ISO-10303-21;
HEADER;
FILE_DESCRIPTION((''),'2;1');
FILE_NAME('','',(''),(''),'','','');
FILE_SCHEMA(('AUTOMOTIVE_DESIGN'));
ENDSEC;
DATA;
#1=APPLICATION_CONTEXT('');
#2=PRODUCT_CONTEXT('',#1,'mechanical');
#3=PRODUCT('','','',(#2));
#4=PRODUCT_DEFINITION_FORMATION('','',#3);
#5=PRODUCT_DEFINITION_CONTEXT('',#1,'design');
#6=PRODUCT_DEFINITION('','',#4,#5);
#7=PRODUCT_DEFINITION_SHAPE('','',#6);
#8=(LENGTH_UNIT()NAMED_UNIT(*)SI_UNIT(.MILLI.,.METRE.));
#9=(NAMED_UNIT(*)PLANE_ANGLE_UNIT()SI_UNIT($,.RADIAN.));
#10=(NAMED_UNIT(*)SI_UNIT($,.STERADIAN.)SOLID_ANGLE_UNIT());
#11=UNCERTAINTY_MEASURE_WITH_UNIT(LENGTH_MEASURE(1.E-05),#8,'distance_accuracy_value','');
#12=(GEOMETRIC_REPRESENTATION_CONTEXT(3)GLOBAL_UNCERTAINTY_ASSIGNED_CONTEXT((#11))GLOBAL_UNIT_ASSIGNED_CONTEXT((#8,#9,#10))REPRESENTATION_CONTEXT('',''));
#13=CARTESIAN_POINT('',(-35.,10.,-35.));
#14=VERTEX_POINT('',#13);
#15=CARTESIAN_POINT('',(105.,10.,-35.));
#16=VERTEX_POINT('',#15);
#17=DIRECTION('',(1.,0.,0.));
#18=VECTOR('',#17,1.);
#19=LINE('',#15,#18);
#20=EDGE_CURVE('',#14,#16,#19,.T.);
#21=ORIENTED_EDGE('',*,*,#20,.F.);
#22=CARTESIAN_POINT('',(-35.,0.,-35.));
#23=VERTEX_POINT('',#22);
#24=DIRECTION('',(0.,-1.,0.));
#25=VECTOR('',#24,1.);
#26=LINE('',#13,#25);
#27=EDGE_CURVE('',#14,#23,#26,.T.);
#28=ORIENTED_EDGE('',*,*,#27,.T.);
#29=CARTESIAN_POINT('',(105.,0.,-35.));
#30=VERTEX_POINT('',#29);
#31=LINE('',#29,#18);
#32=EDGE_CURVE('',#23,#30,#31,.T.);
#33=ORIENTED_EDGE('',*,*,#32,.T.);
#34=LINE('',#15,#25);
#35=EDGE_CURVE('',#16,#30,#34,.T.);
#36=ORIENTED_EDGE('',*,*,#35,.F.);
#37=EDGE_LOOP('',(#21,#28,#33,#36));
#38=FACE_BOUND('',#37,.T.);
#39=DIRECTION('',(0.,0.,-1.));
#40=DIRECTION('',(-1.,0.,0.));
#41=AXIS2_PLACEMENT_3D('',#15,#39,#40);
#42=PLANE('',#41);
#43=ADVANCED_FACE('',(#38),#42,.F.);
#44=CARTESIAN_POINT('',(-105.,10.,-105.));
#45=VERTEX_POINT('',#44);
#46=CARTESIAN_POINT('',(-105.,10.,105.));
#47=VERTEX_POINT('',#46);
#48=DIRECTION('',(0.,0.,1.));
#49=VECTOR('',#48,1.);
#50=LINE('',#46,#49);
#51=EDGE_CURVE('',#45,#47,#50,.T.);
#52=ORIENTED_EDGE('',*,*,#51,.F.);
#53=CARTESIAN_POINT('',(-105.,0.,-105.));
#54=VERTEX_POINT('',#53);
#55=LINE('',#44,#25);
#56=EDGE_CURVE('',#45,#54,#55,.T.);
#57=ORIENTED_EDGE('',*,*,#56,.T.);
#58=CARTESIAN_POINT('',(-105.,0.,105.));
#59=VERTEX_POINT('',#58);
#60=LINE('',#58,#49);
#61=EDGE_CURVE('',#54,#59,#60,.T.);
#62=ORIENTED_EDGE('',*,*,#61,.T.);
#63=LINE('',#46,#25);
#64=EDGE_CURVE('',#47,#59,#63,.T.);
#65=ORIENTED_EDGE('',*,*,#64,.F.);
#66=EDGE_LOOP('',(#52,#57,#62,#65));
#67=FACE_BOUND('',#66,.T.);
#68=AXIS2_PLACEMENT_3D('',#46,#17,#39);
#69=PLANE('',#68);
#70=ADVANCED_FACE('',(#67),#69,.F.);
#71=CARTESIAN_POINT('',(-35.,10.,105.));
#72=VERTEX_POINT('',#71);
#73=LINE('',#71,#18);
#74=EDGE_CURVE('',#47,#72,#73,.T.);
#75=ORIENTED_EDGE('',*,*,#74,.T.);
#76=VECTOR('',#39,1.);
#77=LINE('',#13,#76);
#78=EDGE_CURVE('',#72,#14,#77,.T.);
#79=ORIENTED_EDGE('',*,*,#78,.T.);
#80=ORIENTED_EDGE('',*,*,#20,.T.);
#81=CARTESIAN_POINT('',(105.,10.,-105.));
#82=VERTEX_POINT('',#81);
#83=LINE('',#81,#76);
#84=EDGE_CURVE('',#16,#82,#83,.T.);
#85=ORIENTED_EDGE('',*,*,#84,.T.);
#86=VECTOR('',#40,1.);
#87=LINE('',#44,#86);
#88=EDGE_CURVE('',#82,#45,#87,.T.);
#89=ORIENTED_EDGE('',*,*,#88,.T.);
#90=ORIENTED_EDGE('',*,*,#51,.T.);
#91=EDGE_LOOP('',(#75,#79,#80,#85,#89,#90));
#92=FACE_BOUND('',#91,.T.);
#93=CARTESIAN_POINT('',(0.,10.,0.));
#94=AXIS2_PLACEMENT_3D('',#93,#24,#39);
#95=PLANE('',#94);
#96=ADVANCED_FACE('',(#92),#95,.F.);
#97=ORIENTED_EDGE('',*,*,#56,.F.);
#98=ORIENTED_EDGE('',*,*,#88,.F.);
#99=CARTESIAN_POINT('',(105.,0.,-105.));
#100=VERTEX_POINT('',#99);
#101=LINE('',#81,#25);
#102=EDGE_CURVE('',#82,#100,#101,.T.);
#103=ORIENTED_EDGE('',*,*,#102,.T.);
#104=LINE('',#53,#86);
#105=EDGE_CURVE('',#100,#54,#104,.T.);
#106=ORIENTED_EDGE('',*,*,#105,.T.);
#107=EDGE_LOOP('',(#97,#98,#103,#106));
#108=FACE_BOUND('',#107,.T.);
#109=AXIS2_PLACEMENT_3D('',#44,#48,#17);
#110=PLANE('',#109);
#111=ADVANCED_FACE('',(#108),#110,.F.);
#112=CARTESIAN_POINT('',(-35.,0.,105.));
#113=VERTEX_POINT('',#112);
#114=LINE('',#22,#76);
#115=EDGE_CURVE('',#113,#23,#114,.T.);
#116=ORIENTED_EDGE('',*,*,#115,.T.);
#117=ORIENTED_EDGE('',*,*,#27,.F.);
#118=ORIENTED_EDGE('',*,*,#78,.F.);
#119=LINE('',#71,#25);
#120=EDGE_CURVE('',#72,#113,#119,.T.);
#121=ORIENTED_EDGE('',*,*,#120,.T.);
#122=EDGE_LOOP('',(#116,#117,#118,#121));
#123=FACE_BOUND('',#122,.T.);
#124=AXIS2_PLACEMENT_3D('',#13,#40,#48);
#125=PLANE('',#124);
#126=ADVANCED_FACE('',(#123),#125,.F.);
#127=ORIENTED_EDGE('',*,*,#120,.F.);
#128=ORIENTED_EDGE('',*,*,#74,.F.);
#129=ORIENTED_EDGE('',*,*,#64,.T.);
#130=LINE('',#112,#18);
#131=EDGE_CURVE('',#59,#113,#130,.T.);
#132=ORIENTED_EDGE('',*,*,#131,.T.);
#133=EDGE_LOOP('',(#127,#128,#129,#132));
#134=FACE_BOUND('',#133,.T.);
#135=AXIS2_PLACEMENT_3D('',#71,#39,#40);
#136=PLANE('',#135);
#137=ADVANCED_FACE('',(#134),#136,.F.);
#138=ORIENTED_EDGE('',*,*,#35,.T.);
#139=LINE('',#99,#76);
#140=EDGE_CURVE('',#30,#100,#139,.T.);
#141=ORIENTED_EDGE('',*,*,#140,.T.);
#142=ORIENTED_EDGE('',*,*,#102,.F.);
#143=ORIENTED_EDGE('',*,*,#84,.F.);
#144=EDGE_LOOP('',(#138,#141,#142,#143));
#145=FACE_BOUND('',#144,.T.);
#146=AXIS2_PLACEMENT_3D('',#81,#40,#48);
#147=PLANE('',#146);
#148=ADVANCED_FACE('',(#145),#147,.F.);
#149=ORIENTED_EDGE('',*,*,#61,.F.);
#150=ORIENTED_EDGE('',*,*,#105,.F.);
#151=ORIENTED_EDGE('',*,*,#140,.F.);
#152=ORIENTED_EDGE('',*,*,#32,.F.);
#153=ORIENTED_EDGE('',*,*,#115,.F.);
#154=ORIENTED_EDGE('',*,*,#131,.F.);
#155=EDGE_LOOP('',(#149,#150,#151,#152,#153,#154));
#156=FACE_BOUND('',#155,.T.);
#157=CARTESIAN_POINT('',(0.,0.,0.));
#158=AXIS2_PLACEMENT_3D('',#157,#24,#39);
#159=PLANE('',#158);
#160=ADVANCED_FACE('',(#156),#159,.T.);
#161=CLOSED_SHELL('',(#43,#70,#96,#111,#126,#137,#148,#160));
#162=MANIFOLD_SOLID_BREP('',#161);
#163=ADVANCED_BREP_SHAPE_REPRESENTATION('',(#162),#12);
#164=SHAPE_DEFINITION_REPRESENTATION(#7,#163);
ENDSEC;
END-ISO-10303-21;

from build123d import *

# Parameters (mm, degrees)
BOSS_EXTRUDE1_DEPTH = 10


with BuildPart() as part:
    # Sketch1 → Boss-Extrude1 (new body)
    with BuildSketch(Plane(origin=(0, 0, 0), x_dir=(1, 0, 0), z_dir=(0, 1, 0))):
        Polygon((-105, -105), (-105, 105), (105, 105), (105, 35), (-35, 35), (-35, -105), align=None)
    extrude(amount=BOSS_EXTRUDE1_DEPTH)


solid = part.part
